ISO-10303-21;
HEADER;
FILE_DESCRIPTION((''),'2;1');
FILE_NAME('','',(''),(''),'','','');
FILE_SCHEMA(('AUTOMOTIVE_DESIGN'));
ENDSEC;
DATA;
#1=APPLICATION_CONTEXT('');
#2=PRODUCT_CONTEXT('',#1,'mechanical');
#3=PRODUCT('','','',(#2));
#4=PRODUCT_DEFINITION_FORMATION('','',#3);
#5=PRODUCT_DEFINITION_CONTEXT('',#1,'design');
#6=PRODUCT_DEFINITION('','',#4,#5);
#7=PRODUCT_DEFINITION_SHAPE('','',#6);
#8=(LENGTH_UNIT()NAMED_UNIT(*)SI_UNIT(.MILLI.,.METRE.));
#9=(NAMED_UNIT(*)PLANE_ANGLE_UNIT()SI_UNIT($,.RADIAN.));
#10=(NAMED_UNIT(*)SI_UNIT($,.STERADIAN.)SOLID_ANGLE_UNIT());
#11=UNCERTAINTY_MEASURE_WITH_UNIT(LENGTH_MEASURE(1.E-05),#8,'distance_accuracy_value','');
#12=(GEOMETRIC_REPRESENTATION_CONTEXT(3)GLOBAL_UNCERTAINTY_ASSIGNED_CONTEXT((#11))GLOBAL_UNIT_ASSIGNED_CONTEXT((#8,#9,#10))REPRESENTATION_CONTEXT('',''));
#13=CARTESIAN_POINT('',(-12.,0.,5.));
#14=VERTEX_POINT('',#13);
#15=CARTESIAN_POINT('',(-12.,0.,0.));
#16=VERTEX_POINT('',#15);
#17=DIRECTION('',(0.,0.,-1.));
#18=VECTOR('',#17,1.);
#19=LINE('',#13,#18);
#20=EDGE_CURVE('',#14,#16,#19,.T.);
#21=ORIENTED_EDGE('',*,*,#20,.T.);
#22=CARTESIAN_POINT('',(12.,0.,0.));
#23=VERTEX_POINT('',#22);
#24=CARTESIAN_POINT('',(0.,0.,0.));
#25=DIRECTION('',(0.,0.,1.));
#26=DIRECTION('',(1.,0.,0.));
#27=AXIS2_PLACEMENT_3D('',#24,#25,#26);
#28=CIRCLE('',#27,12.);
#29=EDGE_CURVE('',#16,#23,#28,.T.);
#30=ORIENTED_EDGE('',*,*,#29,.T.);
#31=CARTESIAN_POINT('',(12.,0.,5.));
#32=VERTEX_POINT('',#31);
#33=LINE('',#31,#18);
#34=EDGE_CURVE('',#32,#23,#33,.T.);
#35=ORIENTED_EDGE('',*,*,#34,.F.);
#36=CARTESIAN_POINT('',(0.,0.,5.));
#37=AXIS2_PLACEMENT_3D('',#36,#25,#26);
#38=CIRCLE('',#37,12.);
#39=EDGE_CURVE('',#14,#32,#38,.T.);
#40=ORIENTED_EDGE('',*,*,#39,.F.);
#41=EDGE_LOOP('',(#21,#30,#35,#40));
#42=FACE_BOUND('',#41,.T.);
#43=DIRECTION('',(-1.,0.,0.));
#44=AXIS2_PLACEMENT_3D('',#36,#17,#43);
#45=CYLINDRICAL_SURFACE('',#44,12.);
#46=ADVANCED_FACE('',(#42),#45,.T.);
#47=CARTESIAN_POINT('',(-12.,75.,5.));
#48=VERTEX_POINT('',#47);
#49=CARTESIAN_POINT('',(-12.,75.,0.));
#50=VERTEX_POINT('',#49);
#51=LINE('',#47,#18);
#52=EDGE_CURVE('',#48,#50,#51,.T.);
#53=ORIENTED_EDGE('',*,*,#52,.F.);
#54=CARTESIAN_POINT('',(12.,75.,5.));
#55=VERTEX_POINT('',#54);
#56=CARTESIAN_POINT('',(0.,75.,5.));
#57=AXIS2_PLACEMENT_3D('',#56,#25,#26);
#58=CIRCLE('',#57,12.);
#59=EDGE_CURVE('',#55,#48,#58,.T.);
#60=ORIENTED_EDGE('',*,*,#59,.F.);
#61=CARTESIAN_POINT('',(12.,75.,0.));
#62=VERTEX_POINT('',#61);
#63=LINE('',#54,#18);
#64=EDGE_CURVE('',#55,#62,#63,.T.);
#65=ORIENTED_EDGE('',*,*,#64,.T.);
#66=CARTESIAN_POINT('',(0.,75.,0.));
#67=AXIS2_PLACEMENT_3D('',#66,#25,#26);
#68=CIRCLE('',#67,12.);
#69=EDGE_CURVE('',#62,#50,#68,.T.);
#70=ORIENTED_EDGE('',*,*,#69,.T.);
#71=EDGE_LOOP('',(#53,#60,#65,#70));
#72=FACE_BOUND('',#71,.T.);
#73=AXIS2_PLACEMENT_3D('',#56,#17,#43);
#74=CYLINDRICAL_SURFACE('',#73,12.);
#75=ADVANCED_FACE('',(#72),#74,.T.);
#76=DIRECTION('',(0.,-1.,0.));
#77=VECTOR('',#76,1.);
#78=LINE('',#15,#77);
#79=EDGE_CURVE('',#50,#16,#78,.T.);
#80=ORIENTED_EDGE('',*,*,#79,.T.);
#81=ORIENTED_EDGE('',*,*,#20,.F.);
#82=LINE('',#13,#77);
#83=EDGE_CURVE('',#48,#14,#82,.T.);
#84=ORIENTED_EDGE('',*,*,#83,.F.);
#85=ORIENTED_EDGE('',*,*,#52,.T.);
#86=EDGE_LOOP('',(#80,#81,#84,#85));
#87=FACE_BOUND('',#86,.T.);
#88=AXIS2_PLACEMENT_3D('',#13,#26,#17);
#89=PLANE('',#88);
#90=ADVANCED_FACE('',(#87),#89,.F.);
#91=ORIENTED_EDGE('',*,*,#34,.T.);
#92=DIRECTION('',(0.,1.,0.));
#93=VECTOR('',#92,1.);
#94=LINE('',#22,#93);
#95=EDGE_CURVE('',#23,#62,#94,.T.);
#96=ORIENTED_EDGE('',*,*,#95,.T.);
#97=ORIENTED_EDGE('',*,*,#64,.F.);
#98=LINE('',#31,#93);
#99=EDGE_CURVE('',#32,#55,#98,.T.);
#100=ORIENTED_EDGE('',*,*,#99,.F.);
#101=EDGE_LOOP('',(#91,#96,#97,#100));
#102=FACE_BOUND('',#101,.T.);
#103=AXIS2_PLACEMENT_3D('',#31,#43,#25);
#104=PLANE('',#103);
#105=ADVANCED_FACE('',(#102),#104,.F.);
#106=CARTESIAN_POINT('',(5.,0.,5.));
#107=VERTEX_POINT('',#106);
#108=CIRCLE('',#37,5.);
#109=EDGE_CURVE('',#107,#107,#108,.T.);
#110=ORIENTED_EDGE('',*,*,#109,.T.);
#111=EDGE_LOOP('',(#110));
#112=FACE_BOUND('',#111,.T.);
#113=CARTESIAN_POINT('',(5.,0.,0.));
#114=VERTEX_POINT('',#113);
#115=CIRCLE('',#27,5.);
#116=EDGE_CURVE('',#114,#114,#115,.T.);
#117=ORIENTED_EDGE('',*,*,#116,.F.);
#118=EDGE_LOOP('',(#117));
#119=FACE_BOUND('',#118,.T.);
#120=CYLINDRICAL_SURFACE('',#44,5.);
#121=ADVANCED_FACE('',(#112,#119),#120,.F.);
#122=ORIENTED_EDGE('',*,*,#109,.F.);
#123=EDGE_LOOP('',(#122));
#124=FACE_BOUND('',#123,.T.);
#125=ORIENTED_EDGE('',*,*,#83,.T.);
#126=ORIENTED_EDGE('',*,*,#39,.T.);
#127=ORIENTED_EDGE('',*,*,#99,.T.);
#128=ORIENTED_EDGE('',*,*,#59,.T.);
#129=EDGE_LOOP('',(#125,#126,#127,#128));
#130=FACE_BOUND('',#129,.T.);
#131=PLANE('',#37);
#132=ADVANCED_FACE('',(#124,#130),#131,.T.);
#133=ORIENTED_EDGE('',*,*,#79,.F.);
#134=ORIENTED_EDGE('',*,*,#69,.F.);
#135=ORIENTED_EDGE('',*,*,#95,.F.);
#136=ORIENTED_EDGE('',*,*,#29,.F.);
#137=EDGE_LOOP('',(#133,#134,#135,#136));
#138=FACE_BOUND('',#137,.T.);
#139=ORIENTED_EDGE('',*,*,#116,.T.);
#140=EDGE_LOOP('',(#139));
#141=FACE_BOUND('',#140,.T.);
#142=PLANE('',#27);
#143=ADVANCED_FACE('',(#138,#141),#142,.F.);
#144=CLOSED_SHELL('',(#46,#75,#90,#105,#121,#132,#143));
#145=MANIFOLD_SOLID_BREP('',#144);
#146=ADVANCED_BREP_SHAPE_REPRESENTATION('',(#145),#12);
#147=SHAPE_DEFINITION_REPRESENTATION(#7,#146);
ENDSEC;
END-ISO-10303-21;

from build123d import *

# Parameters (mm, degrees)
ESBO_O1_R                = 5
RESSALTO_EXTRUS_O1_DEPTH = 5


with BuildPart() as part:
    # Esboço1 → Ressalto-extrusão1 (new body)
    with BuildSketch(Plane.XY):
        with BuildLine():
            Line((-12, 0), (-12, 75))
            ThreePointArc((-12, 75), (0, 87), (12, 75))
            Line((12, 75), (12, 0))
            ThreePointArc((12, 0), (0, -12), (-12, 0))
        make_face()
        Circle(ESBO_O1_R, mode=Mode.SUBTRACT)
    extrude(amount=RESSALTO_EXTRUS_O1_DEPTH)


solid = part.part
